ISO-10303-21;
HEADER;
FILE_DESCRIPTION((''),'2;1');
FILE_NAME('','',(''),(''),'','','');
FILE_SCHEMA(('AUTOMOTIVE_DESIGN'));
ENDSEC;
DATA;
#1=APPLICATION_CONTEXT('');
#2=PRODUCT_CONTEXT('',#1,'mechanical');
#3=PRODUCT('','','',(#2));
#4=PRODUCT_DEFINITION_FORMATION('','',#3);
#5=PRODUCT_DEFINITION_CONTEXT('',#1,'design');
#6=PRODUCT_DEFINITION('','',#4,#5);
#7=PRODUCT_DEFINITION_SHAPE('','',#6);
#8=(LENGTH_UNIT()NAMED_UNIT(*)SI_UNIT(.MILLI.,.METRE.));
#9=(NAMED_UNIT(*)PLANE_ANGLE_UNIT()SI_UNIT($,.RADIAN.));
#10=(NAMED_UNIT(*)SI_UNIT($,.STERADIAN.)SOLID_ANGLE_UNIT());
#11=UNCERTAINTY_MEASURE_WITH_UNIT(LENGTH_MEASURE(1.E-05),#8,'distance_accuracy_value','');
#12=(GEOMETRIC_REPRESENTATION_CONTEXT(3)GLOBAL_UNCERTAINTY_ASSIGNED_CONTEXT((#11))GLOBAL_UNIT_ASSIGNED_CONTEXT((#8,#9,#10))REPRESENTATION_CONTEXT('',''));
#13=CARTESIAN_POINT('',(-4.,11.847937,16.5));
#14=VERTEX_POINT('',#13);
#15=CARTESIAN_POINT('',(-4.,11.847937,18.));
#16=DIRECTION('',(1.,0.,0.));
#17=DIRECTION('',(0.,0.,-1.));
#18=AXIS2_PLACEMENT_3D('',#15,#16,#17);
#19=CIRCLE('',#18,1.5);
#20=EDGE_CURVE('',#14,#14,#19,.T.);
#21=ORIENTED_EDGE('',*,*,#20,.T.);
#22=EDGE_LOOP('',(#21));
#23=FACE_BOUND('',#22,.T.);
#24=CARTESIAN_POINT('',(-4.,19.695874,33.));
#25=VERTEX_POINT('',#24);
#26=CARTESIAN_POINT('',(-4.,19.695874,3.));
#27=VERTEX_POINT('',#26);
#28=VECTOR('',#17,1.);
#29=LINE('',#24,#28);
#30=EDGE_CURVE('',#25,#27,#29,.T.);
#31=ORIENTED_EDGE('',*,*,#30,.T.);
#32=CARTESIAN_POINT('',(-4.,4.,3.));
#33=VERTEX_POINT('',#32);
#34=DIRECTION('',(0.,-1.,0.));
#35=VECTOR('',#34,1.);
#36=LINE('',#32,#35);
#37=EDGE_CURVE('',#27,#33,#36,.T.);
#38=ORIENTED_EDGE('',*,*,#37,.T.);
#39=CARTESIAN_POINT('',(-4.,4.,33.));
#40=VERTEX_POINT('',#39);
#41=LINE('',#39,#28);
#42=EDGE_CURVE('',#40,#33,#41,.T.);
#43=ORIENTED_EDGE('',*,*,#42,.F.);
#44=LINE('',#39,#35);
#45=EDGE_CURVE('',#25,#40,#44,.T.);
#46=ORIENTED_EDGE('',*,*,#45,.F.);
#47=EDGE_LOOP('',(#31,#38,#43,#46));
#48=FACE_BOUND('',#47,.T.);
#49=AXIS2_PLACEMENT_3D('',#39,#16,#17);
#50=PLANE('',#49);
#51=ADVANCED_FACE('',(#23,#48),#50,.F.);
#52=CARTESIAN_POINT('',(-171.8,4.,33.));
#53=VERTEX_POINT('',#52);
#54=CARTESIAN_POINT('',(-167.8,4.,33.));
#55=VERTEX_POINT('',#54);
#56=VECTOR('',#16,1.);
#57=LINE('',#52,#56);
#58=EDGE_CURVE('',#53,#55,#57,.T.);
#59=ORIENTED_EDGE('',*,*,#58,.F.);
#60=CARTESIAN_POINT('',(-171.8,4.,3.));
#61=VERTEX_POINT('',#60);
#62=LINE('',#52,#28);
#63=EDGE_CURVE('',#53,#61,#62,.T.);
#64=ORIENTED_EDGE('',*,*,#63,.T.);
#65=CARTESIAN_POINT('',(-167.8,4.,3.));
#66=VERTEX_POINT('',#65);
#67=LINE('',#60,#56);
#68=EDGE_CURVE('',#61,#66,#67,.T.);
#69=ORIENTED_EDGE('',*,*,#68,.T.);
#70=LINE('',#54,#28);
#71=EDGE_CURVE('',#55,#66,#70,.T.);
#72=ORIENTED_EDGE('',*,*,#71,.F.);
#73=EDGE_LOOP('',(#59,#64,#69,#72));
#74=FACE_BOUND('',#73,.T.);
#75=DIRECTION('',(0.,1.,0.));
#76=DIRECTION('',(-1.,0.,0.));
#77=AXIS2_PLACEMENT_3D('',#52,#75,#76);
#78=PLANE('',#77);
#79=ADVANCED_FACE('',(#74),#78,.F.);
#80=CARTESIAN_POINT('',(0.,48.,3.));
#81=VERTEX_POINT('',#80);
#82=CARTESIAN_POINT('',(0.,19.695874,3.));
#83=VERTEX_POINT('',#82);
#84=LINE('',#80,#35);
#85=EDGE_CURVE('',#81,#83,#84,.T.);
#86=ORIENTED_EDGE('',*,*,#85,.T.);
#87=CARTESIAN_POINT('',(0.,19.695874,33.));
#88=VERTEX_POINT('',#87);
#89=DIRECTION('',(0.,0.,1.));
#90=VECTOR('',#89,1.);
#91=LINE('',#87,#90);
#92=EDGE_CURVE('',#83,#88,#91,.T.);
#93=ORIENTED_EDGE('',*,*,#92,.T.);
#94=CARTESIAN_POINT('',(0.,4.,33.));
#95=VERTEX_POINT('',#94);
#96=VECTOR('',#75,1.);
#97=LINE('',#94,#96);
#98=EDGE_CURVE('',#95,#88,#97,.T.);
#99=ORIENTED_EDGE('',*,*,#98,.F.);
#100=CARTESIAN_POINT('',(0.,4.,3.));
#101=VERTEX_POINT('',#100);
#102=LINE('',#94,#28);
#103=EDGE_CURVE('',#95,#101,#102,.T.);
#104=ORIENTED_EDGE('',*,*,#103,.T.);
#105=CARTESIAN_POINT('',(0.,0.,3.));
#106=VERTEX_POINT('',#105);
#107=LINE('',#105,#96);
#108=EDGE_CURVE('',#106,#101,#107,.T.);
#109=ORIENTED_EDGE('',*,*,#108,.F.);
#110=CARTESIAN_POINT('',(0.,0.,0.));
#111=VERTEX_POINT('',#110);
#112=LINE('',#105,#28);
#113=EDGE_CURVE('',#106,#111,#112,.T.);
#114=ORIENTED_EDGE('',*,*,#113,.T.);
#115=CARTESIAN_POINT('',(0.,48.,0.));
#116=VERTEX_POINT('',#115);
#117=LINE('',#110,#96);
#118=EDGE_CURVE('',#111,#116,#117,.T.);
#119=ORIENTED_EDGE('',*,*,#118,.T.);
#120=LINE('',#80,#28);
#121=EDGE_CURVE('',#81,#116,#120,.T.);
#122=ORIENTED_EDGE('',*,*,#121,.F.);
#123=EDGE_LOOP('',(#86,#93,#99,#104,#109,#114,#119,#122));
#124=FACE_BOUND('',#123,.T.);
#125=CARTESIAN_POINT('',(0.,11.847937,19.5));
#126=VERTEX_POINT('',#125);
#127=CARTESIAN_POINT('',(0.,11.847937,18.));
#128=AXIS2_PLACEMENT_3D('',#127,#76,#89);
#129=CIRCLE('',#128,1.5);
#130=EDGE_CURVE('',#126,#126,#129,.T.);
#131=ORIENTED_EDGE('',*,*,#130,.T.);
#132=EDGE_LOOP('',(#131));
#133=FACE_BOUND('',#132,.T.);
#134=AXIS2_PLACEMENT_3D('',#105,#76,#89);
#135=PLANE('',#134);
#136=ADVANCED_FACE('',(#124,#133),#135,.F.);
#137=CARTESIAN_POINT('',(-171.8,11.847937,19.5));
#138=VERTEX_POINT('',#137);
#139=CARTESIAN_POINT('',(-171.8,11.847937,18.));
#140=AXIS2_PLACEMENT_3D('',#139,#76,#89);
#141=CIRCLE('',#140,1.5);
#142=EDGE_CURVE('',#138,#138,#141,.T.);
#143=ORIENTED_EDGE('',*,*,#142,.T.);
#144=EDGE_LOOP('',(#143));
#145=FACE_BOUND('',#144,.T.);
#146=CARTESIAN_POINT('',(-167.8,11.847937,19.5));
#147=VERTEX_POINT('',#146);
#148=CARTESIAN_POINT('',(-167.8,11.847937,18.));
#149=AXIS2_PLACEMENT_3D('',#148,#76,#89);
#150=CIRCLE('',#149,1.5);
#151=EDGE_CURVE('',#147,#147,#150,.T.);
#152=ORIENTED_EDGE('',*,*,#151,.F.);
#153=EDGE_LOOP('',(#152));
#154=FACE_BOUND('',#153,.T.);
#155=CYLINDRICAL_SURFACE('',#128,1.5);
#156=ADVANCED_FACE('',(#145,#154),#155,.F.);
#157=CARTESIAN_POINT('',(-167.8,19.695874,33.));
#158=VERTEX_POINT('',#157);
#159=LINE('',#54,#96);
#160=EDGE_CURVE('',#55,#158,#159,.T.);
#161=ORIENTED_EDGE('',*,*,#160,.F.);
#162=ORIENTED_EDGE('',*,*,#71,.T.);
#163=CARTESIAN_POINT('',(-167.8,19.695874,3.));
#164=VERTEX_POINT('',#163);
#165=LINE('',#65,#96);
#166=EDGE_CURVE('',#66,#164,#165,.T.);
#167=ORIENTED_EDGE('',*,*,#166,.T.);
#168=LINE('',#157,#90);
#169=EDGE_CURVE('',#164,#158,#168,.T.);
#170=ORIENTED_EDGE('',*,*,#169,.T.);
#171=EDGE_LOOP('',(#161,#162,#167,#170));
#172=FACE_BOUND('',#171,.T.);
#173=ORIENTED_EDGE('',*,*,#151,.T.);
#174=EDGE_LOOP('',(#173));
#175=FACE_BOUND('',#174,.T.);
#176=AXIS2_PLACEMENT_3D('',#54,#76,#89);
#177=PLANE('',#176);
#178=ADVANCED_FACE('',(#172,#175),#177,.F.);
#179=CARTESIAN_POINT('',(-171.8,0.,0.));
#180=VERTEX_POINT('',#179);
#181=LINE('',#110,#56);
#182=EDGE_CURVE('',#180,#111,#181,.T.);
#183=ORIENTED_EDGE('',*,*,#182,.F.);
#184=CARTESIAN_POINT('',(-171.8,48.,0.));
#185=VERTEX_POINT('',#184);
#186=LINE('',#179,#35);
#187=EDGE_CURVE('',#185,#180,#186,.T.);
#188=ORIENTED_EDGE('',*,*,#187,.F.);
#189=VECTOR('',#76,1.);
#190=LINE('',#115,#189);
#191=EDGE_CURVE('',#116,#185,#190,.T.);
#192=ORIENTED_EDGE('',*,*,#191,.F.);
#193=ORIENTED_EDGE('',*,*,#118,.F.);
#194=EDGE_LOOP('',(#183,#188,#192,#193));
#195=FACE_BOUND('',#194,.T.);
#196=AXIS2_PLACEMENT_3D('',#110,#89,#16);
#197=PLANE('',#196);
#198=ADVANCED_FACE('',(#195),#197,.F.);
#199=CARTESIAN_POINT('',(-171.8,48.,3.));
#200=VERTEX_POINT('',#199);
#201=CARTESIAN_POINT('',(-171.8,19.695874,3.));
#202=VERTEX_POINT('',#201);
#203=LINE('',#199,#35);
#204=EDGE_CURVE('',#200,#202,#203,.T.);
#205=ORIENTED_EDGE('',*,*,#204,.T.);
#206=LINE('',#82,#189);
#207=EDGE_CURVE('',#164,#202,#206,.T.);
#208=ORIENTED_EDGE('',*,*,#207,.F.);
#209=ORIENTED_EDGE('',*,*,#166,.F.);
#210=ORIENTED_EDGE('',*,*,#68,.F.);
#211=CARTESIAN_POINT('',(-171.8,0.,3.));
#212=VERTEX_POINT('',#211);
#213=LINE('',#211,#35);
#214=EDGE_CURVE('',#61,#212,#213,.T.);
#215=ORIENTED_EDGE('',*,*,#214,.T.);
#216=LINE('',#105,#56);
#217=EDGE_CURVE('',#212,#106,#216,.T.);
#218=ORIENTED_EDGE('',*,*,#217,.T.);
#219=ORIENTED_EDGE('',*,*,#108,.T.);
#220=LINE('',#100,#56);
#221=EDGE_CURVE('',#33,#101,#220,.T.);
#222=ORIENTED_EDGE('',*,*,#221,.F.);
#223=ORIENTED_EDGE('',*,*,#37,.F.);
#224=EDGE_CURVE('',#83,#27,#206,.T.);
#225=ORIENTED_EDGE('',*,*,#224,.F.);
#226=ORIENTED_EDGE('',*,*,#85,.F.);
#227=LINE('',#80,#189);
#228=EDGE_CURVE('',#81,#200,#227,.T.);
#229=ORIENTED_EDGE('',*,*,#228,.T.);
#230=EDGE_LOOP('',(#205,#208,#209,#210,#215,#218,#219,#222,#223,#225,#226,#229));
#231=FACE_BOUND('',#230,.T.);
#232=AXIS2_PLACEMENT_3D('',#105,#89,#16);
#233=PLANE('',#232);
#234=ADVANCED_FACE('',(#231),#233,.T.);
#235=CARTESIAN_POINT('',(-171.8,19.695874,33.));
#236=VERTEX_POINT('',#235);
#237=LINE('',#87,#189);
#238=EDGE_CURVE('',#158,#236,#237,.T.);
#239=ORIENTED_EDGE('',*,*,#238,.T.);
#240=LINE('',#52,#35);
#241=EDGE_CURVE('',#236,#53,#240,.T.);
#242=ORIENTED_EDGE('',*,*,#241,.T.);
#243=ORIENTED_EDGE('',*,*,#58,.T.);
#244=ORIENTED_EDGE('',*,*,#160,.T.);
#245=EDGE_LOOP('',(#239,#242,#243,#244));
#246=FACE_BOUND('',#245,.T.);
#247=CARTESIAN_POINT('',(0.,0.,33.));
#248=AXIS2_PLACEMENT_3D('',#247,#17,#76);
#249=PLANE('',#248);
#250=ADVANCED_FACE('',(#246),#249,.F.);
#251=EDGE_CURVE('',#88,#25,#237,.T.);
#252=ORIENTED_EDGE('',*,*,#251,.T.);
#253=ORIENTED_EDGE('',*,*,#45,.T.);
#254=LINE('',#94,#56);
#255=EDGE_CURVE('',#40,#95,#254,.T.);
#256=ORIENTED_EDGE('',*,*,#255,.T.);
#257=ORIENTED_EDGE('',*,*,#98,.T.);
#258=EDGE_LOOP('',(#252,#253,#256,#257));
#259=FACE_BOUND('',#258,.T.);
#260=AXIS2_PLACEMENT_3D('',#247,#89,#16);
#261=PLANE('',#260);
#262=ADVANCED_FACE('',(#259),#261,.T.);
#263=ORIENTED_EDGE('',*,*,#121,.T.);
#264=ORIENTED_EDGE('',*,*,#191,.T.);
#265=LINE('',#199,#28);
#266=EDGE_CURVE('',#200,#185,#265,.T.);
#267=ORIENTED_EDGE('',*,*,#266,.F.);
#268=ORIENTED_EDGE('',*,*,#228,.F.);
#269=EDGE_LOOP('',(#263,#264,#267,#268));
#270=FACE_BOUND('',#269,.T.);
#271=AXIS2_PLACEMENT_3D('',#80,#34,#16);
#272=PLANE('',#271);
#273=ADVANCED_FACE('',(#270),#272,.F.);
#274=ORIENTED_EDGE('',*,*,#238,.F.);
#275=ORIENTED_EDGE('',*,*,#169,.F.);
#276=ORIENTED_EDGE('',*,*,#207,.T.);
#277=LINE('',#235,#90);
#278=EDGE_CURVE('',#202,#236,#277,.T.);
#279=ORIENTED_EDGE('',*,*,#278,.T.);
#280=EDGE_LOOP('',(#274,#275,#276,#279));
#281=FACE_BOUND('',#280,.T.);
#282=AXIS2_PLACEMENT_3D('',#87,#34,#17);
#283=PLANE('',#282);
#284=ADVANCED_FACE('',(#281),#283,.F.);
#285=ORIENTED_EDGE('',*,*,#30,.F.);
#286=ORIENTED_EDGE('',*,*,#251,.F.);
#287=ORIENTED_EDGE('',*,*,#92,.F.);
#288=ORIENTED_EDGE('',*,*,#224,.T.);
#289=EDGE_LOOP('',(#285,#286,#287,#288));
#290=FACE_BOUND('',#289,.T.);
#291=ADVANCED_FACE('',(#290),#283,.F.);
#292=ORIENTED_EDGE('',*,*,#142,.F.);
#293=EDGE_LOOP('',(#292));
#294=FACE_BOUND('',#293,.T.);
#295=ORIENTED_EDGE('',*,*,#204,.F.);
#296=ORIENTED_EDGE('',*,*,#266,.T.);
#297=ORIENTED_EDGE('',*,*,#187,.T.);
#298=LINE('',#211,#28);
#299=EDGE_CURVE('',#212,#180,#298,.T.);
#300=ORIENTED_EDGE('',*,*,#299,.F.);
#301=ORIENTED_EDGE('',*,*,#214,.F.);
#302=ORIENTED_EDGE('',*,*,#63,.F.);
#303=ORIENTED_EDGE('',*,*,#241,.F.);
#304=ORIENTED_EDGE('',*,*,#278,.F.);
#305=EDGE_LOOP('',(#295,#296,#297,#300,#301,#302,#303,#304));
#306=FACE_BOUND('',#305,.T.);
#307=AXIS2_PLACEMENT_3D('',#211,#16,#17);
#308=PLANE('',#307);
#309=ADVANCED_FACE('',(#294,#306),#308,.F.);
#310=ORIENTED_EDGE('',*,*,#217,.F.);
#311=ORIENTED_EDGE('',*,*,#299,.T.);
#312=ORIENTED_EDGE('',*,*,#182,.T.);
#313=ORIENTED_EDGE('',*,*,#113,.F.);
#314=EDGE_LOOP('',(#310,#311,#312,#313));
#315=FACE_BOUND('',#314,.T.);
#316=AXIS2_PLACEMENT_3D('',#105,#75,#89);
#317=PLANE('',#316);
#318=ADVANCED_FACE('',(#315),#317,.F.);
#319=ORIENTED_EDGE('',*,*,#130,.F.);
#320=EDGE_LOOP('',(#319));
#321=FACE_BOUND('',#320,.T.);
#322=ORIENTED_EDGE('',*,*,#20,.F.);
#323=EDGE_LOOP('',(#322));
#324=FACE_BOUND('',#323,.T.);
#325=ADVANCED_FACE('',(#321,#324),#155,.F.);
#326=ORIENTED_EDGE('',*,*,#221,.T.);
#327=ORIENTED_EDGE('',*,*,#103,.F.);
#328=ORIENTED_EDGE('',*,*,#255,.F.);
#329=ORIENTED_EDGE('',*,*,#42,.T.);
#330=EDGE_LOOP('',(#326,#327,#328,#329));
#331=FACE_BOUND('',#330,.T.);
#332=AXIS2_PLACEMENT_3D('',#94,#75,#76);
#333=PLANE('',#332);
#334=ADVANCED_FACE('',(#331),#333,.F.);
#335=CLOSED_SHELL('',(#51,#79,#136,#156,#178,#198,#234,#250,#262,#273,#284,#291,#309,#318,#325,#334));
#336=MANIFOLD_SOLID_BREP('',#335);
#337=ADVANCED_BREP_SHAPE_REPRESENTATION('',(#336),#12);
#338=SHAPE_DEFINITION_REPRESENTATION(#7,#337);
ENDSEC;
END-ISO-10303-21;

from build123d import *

# Parameters (mm, degrees)
CROQUIS1_W              = 171.8
CROQUIS1_H              = 48
SALIENTE_EXTRUIR1_DEPTH = 3
CROQUIS2_W              = 4
CROQUIS2_H              = 44
SALIENTE_EXTRUIR2_DEPTH = 30
CORTAR_EXTRUIR1_START   = -171.8
CROQUIS3_W              = 30
CROQUIS3_H              = 28.304126214
CORTAR_EXTRUIR1_DEPTH   = 171.8
CORTAR_EXTRUIR2_START   = -171.8
CROQUIS4_R              = 1.5
CORTAR_EXTRUIR2_DEPTH   = 171.8


with BuildPart() as part:
    # Croquis1 → Saliente-Extruir1 (new body)
    with BuildSketch(Plane.XY):
        with Locations((-85.9, 24)):
            Rectangle(CROQUIS1_W, CROQUIS1_H)
    extrude(amount=SALIENTE_EXTRUIR1_DEPTH)

    # Croquis2 → Saliente-Extruir2 (add)
    with BuildSketch(Plane.XY.offset(3)):
        with Locations((-169.8, 26)):
            Rectangle(CROQUIS2_W, CROQUIS2_H)
        with Locations((-2, 26)):
            Rectangle(CROQUIS2_W, CROQUIS2_H)
    extrude(amount=SALIENTE_EXTRUIR2_DEPTH)

    # Croquis3 → Cortar-Extruir1 (cut)
    with BuildSketch(Plane.ZY.offset(171.8).offset(CORTAR_EXTRUIR1_START)):
        with Locations((18, 33.847936893)):
            Rectangle(CROQUIS3_W, CROQUIS3_H)
    extrude(amount=CORTAR_EXTRUIR1_DEPTH, mode=Mode.SUBTRACT)

    # Croquis4 → Cortar-Extruir2 (cut)
    with BuildSketch(Plane.ZY.offset(171.8).offset(CORTAR_EXTRUIR2_START)):
        with Locations((18, 11.847936893)):
            Circle(CROQUIS4_R)
    extrude(amount=CORTAR_EXTRUIR2_DEPTH, mode=Mode.SUBTRACT)


solid = part.part
